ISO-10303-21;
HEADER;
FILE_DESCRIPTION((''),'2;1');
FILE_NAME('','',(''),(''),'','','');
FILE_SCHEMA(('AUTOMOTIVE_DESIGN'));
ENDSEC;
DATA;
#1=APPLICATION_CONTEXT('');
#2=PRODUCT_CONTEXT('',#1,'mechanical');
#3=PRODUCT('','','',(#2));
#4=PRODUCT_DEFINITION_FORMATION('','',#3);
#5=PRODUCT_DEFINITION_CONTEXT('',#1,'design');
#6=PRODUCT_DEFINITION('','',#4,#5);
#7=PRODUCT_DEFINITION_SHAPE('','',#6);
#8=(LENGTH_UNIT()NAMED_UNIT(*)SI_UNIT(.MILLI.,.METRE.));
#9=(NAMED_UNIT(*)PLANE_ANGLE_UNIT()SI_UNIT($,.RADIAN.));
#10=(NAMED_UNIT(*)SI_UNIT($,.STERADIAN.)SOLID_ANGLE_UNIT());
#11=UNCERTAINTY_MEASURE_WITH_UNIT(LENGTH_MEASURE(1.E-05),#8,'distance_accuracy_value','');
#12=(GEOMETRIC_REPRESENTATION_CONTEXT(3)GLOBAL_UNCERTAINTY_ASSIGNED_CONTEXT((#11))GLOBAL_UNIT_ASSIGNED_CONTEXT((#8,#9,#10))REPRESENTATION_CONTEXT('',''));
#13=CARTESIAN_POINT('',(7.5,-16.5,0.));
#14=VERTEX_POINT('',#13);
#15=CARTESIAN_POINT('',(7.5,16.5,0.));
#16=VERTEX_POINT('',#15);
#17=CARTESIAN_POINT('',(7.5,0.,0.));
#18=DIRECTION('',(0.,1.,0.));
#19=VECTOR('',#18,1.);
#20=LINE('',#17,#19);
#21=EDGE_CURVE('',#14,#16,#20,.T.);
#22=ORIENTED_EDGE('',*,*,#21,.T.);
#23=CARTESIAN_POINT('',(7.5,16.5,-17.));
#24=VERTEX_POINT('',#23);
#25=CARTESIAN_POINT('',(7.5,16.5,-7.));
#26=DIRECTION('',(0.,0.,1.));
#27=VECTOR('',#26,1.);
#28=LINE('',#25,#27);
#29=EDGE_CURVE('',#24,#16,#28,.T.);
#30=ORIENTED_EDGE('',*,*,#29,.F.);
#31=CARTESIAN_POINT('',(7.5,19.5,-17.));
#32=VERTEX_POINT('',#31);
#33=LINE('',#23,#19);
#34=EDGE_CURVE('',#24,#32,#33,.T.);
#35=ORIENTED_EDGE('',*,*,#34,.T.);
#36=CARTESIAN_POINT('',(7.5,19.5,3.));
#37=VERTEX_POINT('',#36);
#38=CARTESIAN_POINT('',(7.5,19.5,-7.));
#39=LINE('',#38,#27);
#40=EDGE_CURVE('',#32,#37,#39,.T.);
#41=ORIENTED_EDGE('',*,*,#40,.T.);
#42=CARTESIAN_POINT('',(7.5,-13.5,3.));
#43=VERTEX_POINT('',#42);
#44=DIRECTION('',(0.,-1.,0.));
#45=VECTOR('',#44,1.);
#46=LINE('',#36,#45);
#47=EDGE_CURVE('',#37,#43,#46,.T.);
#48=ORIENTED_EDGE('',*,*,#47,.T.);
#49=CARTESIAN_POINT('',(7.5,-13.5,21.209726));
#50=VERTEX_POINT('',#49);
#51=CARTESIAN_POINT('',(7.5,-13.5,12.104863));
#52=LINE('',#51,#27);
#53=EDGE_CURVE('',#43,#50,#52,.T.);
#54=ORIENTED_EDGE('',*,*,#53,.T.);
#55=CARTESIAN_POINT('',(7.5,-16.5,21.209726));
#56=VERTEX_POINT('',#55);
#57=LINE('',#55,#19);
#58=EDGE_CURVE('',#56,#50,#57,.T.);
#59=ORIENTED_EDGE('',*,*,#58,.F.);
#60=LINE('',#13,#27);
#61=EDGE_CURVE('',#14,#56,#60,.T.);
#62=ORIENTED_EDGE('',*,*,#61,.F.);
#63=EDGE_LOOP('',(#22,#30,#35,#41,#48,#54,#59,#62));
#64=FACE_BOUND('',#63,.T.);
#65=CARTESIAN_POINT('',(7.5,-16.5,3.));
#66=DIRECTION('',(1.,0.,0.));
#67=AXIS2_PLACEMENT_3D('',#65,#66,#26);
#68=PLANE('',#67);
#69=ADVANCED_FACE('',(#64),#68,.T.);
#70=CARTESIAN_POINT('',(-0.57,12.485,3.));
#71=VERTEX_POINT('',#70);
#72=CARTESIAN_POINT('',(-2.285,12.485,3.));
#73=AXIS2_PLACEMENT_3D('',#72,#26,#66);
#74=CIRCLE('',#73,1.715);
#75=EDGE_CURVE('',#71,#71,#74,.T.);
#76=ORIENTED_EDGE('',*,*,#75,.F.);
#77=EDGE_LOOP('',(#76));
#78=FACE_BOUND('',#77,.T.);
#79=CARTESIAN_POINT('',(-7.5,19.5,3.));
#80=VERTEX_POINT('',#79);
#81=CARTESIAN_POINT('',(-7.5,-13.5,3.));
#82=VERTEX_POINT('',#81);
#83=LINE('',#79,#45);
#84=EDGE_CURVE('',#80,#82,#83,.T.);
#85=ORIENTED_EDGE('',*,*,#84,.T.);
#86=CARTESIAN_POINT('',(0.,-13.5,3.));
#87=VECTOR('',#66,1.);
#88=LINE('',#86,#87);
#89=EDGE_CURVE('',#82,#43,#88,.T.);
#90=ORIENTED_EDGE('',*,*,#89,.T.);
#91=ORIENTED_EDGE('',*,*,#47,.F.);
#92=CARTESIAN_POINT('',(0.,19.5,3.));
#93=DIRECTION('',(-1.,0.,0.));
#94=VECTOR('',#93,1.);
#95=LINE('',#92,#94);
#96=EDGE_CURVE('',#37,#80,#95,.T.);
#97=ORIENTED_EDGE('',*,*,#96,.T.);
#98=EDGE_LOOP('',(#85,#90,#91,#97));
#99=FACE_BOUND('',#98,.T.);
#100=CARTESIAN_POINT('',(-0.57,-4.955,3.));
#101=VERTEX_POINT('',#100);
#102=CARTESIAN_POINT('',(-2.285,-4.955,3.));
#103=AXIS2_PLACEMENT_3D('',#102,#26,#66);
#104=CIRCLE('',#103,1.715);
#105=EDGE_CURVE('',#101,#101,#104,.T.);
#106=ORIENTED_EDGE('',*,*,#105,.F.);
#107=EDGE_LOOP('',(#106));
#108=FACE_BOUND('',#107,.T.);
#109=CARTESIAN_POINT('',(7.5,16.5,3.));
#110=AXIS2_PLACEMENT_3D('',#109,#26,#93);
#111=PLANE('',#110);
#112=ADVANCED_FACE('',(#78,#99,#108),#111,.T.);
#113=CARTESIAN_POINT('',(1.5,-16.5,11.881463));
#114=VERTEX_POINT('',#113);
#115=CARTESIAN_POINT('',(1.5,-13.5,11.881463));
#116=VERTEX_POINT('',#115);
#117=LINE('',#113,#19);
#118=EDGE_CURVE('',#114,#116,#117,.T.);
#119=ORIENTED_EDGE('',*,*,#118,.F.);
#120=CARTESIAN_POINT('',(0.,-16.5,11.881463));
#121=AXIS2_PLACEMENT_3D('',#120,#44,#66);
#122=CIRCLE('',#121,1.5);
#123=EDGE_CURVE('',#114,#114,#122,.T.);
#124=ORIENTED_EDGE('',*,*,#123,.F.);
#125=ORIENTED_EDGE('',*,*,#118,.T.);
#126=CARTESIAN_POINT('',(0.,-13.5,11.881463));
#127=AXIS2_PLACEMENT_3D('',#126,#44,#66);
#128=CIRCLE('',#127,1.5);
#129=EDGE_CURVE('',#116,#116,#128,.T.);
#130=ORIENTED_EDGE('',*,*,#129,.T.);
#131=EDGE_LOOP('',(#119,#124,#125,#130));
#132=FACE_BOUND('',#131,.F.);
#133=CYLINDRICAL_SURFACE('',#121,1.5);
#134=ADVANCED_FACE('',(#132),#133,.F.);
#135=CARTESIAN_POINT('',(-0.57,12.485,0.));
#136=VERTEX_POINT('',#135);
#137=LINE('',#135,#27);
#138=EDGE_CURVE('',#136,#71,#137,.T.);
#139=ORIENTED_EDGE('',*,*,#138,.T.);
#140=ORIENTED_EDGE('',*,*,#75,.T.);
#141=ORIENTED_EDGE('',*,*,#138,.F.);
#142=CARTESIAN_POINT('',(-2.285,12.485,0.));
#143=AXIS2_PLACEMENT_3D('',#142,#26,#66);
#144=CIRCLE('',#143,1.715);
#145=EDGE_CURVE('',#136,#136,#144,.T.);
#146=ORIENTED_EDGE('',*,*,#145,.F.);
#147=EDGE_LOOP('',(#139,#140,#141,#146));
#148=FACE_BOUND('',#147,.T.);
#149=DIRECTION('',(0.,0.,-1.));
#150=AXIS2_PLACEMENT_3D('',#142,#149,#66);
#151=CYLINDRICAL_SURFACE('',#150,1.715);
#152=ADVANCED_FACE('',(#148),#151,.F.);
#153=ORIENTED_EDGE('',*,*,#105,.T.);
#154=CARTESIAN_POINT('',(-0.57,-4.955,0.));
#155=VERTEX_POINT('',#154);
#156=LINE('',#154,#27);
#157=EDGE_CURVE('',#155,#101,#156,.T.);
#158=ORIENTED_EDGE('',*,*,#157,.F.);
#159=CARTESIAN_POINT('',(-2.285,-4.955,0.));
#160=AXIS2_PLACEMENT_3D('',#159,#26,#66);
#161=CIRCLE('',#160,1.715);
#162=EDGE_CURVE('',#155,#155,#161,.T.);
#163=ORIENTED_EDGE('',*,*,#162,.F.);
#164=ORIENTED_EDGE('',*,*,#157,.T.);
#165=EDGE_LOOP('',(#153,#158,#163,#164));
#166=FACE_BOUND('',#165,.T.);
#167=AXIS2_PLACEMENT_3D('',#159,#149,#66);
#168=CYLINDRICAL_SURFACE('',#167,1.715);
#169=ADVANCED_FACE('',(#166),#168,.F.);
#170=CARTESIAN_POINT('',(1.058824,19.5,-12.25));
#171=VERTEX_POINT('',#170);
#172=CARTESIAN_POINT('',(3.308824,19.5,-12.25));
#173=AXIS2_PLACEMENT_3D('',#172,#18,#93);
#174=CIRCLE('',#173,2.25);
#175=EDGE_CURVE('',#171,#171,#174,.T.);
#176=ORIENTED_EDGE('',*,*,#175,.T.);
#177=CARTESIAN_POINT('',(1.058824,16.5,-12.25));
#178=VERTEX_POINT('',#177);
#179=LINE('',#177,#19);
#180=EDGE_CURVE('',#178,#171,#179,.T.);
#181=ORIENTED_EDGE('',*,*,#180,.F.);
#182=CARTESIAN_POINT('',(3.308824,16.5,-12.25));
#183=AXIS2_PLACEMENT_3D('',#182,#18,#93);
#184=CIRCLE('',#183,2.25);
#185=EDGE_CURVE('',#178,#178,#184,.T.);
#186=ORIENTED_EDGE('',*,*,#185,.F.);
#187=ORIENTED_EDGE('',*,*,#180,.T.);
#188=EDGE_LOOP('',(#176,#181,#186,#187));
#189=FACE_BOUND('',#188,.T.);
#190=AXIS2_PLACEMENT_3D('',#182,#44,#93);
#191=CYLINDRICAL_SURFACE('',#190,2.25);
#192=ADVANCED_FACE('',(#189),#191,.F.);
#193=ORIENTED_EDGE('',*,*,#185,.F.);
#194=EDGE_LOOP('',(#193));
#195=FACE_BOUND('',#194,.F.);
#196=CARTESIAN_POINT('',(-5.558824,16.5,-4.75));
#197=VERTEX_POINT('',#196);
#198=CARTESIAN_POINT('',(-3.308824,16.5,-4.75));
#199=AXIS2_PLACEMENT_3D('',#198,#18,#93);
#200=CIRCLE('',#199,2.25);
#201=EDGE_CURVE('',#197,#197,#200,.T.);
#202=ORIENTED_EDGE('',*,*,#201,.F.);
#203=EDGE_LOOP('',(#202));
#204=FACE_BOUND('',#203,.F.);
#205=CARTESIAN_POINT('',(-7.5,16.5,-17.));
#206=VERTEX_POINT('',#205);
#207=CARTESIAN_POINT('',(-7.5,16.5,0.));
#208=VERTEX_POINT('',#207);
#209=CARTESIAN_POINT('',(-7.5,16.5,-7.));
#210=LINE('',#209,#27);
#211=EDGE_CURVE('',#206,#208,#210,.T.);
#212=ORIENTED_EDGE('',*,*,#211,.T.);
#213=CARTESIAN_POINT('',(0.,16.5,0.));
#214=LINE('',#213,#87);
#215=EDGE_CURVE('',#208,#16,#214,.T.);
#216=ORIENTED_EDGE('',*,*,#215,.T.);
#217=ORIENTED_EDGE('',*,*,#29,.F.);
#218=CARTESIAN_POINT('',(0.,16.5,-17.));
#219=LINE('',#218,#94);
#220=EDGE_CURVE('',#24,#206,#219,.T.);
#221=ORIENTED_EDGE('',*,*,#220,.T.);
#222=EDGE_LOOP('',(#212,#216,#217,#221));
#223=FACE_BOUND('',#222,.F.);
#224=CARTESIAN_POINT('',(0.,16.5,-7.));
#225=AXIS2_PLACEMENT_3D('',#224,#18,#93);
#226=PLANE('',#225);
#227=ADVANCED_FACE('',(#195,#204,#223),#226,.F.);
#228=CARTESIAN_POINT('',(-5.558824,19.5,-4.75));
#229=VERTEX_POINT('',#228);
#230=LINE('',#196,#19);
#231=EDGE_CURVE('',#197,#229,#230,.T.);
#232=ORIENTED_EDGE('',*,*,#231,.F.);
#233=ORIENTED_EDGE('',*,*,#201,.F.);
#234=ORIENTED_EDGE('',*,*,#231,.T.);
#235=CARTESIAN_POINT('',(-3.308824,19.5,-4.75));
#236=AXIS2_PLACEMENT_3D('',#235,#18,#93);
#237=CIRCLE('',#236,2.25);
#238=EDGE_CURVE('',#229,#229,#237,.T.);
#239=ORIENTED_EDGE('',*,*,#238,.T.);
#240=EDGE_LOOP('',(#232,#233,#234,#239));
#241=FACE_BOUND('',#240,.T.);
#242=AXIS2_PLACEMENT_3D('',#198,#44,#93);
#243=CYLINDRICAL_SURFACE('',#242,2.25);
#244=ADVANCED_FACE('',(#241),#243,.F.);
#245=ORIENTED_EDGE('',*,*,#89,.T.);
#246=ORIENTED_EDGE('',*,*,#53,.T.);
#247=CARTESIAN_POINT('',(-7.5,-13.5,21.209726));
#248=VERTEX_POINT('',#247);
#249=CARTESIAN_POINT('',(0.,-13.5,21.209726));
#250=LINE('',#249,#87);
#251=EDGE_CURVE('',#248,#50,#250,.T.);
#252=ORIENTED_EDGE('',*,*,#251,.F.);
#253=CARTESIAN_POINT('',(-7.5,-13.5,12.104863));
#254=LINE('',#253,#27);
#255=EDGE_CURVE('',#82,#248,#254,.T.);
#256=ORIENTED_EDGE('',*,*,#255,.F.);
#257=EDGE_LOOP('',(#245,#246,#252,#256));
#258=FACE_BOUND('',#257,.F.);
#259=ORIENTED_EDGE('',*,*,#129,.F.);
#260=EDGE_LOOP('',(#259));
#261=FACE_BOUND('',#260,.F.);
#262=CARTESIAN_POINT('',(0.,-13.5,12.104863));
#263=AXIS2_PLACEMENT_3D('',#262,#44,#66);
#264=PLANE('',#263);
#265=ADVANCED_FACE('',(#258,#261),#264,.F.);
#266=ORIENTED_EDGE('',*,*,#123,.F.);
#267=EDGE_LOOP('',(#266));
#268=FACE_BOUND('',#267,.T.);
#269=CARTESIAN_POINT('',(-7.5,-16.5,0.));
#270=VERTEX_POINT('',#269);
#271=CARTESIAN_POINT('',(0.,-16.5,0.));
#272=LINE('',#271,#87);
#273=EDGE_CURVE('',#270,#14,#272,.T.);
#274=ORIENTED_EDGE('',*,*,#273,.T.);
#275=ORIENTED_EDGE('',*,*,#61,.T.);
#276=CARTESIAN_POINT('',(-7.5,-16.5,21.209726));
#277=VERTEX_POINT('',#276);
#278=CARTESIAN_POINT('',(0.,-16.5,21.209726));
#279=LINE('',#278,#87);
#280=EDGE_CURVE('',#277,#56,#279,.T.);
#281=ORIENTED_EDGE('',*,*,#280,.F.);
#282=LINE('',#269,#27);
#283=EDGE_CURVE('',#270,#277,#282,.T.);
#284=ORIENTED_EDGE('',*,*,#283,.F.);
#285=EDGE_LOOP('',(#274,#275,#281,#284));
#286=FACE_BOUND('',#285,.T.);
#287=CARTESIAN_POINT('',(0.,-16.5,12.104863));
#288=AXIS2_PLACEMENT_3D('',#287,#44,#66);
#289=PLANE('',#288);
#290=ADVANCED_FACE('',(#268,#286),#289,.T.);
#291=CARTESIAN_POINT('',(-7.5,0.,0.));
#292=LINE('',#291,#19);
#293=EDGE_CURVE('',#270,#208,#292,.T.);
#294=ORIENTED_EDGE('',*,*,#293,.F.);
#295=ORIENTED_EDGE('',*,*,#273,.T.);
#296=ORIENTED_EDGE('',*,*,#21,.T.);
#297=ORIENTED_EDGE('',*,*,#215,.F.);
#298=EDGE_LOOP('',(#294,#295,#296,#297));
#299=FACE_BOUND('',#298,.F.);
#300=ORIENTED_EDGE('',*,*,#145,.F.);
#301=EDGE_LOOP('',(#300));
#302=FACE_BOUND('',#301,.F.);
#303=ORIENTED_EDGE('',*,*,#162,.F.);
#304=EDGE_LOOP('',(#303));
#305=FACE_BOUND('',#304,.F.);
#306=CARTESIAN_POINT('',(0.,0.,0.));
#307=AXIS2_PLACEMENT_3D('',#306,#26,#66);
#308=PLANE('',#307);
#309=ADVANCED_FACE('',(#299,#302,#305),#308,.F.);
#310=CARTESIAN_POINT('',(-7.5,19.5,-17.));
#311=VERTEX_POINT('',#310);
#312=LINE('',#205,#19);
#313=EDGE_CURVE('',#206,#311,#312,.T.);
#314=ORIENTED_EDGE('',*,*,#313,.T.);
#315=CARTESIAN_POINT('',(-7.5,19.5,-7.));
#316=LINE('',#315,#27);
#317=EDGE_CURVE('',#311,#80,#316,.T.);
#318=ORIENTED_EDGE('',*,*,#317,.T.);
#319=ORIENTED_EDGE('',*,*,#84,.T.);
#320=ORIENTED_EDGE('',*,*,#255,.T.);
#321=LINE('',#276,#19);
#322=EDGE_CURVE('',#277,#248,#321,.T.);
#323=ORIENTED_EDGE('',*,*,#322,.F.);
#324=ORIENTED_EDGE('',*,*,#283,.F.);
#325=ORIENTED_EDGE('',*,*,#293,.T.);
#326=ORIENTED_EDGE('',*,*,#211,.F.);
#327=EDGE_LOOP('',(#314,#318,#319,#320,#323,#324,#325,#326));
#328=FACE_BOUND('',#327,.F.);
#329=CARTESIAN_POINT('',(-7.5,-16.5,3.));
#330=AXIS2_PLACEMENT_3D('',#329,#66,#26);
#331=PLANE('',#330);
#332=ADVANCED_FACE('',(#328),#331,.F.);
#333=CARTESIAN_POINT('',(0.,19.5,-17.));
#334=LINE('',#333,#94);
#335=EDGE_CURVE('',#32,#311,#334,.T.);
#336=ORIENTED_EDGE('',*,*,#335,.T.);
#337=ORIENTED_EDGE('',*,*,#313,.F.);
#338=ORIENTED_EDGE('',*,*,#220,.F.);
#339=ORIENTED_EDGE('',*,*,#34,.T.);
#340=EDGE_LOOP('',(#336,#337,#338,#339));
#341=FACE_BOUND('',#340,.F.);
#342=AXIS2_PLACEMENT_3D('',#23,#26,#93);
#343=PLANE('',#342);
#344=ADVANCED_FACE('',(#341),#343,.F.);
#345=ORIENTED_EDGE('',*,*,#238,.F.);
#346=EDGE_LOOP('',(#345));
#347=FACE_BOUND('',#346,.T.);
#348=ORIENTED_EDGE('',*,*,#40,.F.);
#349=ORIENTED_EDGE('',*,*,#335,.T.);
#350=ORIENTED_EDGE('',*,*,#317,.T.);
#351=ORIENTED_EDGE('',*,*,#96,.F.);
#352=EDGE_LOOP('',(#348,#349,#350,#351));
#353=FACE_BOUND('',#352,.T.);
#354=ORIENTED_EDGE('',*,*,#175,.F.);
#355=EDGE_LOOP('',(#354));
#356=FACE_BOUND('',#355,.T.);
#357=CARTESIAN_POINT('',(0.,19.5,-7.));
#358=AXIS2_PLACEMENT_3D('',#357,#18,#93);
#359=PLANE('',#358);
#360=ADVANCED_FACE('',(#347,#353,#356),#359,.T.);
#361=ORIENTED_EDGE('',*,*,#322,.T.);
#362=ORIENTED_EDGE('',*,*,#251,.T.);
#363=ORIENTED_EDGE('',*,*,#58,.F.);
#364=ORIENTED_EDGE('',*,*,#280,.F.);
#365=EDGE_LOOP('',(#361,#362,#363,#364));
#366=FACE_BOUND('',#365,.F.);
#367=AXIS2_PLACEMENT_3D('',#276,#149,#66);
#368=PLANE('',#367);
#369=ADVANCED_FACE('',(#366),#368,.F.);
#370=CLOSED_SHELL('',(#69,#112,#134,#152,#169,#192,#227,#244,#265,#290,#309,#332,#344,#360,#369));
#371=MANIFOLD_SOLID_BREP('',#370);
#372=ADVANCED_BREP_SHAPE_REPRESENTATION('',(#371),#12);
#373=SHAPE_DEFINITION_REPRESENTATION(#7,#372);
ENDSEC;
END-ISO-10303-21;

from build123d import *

# Parameters (mm, degrees)
F0_W     = 15
F0_H     = 33
F0_R     = 1.715
F1_DEPTH = 3
F2_W     = 15
F2_H     = 20
F2_R     = 2.25
F3_DEPTH = 3
F4_W     = 15
F4_H     = 18.209726
F4_R     = 1.5
F5_DEPTH = 3


with BuildPart() as f1:
    # F0 (on Top) → F1 (new body)
    with BuildSketch(Plane.XY):
        Rectangle(F0_W, F0_H)
        with Locations((-2.285, -4.955)):
            Circle(F0_R, mode=Mode.SUBTRACT)
        with Locations((-2.285, 12.485)):
            Circle(F0_R, mode=Mode.SUBTRACT)
    extrude(amount=F1_DEPTH)

    # F2 (on face) → F3 (join)
    with BuildSketch(Plane(origin=(0, 16.5, 0), x_dir=(-1, 0, 0), z_dir=(0, 1, 0))):
        with Locations((0, -7)):
            Rectangle(F2_W, F2_H)
        with Locations((-3.308824, -12.25)):
            Circle(F2_R, mode=Mode.SUBTRACT)
        with Locations((3.308824, -4.75)):
            Circle(F2_R, mode=Mode.SUBTRACT)
    extrude(amount=F3_DEPTH)

    # F4 (on face) → F5 (join)
    with BuildSketch(Plane.XZ.offset(16.5)):
        with Locations((0, 12.104863)):
            Rectangle(F4_W, F4_H)
        with Locations((0, 11.881463)):
            Circle(F4_R, mode=Mode.SUBTRACT)
    extrude(amount=-F5_DEPTH)


solid = f1.part
